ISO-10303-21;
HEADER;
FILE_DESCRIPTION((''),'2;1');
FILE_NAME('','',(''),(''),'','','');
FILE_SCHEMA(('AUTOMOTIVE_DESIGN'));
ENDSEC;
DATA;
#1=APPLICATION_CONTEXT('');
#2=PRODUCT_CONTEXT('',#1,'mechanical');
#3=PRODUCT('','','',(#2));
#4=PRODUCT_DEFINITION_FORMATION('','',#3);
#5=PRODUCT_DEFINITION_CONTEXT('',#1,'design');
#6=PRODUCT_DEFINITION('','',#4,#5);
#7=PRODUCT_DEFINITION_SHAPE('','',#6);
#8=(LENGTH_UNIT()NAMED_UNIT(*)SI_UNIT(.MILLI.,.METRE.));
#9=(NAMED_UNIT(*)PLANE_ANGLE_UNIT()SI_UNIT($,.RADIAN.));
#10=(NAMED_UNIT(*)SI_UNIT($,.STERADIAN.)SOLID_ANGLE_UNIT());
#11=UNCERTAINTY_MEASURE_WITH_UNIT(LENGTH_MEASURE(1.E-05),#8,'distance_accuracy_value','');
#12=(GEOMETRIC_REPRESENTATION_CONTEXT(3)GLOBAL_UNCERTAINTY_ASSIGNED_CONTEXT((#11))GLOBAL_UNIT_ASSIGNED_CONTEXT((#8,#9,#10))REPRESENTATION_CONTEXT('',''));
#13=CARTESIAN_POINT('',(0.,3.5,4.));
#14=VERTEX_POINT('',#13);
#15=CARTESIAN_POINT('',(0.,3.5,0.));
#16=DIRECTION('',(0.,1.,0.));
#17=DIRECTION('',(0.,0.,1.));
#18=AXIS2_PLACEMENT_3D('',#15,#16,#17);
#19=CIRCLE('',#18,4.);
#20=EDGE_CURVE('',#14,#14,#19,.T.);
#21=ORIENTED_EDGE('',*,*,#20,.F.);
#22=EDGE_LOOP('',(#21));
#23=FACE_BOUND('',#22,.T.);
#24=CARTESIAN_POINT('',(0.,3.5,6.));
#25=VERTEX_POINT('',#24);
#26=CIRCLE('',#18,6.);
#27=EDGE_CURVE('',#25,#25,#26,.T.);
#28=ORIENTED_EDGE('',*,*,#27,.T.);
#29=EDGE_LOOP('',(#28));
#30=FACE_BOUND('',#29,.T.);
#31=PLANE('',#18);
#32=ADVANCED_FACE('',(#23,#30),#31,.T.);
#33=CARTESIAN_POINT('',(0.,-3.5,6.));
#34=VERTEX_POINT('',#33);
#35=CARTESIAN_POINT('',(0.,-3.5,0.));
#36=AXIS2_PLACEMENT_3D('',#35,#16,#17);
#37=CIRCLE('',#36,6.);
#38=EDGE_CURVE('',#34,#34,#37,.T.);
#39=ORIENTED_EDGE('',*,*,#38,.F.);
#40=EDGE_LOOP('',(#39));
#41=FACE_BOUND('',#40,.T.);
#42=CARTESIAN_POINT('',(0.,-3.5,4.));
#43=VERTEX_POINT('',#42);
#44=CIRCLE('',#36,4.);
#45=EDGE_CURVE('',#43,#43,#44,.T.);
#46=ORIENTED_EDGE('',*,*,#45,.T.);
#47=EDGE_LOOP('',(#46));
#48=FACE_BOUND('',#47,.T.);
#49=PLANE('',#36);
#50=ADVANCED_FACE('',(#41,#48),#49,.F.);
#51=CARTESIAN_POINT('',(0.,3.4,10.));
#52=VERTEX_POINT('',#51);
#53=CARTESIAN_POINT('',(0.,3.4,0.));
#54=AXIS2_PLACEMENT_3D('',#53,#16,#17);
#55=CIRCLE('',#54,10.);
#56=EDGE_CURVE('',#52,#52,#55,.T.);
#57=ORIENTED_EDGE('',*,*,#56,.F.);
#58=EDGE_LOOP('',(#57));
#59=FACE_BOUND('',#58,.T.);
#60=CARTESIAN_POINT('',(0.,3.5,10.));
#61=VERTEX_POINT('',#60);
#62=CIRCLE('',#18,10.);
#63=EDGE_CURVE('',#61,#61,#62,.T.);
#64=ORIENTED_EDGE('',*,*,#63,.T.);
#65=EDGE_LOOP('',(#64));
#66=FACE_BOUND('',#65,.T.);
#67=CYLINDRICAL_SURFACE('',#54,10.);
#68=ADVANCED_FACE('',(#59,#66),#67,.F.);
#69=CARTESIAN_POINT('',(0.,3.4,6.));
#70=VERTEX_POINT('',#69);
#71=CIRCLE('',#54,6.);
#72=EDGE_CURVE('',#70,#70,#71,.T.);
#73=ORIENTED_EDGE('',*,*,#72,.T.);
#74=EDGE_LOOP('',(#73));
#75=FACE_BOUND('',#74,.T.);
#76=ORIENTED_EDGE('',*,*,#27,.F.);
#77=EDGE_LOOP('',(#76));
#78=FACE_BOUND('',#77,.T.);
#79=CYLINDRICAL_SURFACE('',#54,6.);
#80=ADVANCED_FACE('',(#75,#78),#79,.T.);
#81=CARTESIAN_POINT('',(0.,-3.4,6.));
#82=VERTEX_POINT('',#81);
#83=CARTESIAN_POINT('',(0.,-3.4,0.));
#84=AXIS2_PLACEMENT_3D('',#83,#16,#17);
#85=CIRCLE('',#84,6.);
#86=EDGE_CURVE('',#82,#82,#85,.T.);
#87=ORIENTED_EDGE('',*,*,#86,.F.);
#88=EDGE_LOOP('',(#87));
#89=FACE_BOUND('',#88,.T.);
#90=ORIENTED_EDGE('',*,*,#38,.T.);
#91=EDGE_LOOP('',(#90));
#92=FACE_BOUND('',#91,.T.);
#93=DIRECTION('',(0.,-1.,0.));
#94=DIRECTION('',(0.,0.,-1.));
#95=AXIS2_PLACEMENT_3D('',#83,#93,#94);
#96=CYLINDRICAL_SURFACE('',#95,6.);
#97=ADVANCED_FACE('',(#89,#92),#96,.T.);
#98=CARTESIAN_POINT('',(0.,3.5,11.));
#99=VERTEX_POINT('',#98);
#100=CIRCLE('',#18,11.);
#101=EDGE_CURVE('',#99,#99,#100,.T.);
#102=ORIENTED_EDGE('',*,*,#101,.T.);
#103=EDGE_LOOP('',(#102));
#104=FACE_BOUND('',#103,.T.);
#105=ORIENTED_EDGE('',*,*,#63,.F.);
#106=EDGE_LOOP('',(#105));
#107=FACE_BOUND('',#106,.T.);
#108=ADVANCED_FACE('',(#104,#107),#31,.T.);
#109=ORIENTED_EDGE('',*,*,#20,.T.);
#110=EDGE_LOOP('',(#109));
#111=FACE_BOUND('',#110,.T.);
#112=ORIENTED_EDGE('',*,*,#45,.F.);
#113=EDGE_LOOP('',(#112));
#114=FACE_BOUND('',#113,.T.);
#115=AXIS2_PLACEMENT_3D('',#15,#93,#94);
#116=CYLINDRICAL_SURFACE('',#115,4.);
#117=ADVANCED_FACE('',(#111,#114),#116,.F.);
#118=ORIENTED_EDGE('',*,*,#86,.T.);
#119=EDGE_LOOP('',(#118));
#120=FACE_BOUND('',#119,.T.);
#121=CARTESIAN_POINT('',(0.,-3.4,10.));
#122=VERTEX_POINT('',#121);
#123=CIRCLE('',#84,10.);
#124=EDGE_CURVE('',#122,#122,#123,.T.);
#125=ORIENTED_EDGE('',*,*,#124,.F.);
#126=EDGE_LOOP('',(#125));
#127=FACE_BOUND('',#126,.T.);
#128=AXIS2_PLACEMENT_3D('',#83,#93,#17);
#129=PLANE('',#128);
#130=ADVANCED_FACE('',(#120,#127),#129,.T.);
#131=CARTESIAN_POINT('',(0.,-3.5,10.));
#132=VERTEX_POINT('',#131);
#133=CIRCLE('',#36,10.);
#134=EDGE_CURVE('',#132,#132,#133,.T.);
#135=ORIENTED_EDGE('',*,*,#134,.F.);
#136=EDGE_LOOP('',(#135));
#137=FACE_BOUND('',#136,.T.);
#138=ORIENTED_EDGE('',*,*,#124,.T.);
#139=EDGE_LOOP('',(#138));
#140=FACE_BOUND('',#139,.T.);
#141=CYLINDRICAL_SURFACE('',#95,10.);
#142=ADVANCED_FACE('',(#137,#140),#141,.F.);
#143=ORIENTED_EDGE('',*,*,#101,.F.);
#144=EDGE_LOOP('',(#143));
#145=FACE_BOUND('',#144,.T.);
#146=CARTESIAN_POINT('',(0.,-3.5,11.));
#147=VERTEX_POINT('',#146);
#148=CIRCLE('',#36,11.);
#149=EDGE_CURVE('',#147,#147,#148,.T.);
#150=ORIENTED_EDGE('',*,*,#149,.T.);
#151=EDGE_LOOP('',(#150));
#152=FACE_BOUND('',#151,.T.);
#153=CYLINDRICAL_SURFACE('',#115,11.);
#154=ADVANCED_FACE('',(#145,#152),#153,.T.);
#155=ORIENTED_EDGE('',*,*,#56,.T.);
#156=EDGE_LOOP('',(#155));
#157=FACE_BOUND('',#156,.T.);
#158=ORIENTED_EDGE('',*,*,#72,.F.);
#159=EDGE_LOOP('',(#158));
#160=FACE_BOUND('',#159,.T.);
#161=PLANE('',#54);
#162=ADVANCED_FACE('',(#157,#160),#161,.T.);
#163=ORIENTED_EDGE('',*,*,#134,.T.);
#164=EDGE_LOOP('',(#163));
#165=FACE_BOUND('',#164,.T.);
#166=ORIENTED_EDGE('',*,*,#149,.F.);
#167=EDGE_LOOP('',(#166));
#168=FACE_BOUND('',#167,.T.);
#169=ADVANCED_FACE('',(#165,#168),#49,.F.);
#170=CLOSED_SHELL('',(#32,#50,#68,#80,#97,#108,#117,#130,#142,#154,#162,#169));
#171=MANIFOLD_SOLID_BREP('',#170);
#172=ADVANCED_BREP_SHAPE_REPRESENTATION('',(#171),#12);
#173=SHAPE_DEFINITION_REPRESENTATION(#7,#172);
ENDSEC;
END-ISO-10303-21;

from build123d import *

# Parameters (mm, degrees)
SKETCH1_R           = 11
SKETCH1_R_2         = 4
BOSS_EXTRUDE1_DEPTH = 3.5
SKETCH2_R           = 10
SKETCH2_R_2         = 6
CUT_EXTRUDE1_DEPTH  = 0.1


with BuildPart() as part:
    # Sketch1 → Boss-Extrude1 (new body, symmetric)
    with BuildSketch(Plane(origin=(0, 0, 0), x_dir=(1, 0, 0), z_dir=(0, 1, 0))):
        Circle(SKETCH1_R)
        Circle(SKETCH1_R_2, mode=Mode.SUBTRACT)
    extrude(amount=BOSS_EXTRUDE1_DEPTH, both=True)

    # Sketch2 → Cut-Extrude1 (cut)
    with BuildSketch(Plane(origin=(0, 3.5, 0), x_dir=(1, 0, 0), z_dir=(0, 1, 0))):
        Circle(SKETCH2_R)
        Circle(SKETCH2_R_2, mode=Mode.SUBTRACT)
    cut_extrude1 = extrude(amount=-CUT_EXTRUDE1_DEPTH, mode=Mode.SUBTRACT)

    # Mirror1: Cut-Extrude1 across plane
    add(cut_extrude1.mirror(Plane.ZX), mode=Mode.SUBTRACT)


solid = part.part
